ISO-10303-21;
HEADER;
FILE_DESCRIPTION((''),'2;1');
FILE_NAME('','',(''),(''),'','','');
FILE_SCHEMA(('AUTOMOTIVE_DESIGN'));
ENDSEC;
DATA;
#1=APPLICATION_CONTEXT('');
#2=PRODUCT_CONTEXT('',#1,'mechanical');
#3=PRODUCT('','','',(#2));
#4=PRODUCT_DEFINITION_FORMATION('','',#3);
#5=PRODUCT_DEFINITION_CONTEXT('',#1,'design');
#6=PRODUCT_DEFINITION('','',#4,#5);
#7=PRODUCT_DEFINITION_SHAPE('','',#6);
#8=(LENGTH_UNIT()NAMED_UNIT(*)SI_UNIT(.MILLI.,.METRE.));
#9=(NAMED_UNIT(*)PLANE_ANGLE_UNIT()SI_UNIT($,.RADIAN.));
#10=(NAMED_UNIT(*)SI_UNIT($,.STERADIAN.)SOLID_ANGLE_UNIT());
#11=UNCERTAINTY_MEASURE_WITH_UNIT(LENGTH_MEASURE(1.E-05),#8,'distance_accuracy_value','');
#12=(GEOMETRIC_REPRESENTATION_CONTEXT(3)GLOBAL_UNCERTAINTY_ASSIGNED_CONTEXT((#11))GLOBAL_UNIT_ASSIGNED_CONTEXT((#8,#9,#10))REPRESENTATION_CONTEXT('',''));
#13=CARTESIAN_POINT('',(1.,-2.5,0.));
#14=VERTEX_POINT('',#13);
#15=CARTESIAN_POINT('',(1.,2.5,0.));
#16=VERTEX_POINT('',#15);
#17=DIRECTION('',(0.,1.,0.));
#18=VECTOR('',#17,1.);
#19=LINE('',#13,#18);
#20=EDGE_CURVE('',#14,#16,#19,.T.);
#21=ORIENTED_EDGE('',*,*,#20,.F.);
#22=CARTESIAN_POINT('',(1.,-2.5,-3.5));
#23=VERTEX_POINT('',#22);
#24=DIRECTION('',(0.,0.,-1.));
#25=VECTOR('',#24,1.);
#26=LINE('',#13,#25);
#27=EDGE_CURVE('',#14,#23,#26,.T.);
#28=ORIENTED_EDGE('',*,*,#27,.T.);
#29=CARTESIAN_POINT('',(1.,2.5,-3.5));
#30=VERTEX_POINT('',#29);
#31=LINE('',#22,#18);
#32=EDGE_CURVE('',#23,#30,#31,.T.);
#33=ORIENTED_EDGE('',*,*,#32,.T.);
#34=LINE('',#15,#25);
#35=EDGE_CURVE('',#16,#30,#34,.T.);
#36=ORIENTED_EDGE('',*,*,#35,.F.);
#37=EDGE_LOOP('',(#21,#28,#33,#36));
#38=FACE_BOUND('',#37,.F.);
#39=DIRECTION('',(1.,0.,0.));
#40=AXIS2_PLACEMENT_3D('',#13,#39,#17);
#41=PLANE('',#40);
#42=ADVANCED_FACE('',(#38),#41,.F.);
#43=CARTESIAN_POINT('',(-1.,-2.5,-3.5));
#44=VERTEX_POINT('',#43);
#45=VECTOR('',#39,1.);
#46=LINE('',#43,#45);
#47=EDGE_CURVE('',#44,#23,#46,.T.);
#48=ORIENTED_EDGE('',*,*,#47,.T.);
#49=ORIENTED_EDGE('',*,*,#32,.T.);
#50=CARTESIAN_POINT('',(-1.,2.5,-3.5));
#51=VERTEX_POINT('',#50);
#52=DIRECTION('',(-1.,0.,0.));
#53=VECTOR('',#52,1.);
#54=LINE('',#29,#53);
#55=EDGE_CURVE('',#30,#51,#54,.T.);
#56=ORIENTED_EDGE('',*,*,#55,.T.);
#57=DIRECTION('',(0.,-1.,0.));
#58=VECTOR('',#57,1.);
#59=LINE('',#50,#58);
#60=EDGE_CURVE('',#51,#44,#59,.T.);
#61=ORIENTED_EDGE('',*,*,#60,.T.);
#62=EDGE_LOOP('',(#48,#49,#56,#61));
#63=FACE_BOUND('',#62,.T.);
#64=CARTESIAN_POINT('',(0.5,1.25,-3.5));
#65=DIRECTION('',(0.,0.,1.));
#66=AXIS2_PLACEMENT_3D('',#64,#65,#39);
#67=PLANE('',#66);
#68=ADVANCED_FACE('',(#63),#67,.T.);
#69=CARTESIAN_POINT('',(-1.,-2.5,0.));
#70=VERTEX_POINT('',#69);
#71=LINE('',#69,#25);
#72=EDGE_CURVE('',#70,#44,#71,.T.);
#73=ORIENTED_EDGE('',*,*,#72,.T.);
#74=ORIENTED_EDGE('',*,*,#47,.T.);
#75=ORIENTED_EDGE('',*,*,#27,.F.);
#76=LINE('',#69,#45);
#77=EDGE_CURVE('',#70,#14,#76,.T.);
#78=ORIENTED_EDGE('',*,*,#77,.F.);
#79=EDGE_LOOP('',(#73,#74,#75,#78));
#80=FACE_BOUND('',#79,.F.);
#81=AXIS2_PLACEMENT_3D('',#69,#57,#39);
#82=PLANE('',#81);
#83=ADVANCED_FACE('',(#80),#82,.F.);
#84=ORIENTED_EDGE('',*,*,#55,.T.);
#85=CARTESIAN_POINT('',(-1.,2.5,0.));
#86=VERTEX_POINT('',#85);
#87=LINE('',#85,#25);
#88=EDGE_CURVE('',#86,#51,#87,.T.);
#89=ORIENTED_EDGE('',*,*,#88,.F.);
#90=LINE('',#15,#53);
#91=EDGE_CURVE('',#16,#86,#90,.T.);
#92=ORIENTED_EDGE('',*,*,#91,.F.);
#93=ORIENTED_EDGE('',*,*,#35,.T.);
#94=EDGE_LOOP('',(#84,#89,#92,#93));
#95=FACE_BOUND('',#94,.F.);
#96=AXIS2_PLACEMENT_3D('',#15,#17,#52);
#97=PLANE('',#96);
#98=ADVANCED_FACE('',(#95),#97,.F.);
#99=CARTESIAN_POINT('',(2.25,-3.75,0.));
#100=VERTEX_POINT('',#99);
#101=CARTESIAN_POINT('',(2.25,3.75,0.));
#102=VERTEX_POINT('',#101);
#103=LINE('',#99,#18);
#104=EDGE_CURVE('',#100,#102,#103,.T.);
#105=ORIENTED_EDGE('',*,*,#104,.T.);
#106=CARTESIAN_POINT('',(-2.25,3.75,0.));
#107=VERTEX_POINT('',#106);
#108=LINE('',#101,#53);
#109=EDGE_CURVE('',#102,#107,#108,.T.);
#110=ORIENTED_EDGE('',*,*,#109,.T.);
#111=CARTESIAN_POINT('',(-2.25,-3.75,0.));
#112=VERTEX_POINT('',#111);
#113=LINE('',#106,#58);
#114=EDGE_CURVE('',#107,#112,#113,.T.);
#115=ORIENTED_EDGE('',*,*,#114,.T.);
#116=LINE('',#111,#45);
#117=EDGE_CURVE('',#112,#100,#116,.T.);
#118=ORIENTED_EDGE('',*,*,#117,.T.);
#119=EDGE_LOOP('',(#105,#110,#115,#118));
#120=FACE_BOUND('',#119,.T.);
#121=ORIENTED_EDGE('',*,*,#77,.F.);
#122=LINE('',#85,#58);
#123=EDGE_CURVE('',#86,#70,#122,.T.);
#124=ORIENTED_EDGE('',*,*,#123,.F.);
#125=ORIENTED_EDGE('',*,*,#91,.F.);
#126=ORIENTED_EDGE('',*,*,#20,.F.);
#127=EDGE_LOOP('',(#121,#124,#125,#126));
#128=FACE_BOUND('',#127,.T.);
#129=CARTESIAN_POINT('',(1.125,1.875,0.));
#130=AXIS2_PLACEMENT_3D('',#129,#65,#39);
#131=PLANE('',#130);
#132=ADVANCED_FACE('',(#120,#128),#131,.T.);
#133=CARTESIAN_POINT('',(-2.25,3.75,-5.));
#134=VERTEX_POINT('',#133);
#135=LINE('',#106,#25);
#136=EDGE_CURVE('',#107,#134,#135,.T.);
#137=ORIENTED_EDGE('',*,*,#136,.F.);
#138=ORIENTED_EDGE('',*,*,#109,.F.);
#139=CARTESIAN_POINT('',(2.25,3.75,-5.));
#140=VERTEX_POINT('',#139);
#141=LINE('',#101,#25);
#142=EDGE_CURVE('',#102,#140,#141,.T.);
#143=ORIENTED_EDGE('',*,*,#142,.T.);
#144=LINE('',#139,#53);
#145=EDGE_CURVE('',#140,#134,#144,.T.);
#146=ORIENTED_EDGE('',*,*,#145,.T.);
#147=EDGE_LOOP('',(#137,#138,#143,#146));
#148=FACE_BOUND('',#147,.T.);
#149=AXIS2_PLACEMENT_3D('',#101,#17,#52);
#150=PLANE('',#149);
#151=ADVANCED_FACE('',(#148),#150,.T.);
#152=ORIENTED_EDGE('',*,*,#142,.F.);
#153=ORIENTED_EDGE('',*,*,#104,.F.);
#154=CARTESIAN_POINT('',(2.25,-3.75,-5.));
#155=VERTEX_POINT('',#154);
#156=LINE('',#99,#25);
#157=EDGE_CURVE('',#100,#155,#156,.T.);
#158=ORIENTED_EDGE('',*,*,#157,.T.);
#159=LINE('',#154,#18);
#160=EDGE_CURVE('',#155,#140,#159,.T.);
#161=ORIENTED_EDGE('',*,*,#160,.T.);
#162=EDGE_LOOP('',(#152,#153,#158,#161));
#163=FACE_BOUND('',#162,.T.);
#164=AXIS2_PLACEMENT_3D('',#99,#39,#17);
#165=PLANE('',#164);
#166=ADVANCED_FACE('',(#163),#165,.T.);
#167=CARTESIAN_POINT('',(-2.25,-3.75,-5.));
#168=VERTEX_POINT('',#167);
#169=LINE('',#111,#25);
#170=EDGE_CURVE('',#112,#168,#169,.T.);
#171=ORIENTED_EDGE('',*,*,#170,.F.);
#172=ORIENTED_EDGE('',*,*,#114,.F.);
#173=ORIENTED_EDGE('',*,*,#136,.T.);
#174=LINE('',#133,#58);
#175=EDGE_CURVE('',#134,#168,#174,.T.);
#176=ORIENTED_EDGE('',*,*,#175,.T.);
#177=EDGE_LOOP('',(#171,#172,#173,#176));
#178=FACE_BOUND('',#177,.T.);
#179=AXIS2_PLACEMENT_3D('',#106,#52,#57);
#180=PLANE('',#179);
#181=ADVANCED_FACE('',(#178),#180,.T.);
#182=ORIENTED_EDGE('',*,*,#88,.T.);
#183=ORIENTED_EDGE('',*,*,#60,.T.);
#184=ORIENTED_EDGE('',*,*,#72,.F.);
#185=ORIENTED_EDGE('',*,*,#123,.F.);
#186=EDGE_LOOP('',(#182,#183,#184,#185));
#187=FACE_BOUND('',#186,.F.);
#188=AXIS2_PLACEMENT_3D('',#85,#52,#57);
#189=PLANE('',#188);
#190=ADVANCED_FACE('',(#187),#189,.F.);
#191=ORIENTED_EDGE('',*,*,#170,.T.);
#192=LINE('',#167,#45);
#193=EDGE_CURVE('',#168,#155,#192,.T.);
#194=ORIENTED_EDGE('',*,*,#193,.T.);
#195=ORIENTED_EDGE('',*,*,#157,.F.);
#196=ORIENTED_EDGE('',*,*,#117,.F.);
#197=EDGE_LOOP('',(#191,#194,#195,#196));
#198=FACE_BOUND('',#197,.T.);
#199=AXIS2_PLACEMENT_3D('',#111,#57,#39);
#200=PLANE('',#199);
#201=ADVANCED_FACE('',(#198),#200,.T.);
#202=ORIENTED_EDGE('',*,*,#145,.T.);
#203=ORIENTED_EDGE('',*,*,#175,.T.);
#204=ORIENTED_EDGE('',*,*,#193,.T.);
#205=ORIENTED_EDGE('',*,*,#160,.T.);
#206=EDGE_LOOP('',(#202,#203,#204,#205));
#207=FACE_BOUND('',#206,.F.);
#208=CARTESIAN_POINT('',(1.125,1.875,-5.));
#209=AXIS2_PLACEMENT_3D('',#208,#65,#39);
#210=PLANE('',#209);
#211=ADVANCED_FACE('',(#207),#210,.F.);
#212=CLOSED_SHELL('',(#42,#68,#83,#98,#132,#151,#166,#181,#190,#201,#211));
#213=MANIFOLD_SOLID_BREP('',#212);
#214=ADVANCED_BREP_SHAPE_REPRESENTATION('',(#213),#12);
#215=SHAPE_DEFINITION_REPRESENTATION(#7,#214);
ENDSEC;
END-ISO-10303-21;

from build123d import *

# Parameters (mm, degrees)
F0_W     = 2.25
F0_H     = 3.75
F1_DEPTH = 5
F2_W     = 1
F2_H     = 2.5
F3_DEPTH = 3.5


with BuildPart() as f1:
    # F0 (on Top) → F1 (new body)
    with BuildSketch(Plane.XY):
        with Locations((1.125, 1.875)):
            Rectangle(F0_W, F0_H)
        with Locations((-1.125, 1.875)):
            Rectangle(F0_W, F0_H)
        Polygon((2.25, 0), (0, 0), (-2.25, 0), (-2.25, -3.75), (0, -3.75), (2.25, -3.75), align=None)
    extrude(amount=-F1_DEPTH)

    # F2 (on face) → F3 (cut)
    with BuildSketch(Plane.XY):
        with Locations((0.5, 1.25)):
            Rectangle(F2_W, F2_H)
        with Locations((-0.5, 1.25)):
            Rectangle(F2_W, F2_H)
        Polygon((1, 0), (0, 0), (-1, 0), (-1, -2.5), (0, -2.5), (1, -2.5), align=None)
    extrude(amount=-F3_DEPTH, mode=Mode.SUBTRACT)


solid = f1.part
